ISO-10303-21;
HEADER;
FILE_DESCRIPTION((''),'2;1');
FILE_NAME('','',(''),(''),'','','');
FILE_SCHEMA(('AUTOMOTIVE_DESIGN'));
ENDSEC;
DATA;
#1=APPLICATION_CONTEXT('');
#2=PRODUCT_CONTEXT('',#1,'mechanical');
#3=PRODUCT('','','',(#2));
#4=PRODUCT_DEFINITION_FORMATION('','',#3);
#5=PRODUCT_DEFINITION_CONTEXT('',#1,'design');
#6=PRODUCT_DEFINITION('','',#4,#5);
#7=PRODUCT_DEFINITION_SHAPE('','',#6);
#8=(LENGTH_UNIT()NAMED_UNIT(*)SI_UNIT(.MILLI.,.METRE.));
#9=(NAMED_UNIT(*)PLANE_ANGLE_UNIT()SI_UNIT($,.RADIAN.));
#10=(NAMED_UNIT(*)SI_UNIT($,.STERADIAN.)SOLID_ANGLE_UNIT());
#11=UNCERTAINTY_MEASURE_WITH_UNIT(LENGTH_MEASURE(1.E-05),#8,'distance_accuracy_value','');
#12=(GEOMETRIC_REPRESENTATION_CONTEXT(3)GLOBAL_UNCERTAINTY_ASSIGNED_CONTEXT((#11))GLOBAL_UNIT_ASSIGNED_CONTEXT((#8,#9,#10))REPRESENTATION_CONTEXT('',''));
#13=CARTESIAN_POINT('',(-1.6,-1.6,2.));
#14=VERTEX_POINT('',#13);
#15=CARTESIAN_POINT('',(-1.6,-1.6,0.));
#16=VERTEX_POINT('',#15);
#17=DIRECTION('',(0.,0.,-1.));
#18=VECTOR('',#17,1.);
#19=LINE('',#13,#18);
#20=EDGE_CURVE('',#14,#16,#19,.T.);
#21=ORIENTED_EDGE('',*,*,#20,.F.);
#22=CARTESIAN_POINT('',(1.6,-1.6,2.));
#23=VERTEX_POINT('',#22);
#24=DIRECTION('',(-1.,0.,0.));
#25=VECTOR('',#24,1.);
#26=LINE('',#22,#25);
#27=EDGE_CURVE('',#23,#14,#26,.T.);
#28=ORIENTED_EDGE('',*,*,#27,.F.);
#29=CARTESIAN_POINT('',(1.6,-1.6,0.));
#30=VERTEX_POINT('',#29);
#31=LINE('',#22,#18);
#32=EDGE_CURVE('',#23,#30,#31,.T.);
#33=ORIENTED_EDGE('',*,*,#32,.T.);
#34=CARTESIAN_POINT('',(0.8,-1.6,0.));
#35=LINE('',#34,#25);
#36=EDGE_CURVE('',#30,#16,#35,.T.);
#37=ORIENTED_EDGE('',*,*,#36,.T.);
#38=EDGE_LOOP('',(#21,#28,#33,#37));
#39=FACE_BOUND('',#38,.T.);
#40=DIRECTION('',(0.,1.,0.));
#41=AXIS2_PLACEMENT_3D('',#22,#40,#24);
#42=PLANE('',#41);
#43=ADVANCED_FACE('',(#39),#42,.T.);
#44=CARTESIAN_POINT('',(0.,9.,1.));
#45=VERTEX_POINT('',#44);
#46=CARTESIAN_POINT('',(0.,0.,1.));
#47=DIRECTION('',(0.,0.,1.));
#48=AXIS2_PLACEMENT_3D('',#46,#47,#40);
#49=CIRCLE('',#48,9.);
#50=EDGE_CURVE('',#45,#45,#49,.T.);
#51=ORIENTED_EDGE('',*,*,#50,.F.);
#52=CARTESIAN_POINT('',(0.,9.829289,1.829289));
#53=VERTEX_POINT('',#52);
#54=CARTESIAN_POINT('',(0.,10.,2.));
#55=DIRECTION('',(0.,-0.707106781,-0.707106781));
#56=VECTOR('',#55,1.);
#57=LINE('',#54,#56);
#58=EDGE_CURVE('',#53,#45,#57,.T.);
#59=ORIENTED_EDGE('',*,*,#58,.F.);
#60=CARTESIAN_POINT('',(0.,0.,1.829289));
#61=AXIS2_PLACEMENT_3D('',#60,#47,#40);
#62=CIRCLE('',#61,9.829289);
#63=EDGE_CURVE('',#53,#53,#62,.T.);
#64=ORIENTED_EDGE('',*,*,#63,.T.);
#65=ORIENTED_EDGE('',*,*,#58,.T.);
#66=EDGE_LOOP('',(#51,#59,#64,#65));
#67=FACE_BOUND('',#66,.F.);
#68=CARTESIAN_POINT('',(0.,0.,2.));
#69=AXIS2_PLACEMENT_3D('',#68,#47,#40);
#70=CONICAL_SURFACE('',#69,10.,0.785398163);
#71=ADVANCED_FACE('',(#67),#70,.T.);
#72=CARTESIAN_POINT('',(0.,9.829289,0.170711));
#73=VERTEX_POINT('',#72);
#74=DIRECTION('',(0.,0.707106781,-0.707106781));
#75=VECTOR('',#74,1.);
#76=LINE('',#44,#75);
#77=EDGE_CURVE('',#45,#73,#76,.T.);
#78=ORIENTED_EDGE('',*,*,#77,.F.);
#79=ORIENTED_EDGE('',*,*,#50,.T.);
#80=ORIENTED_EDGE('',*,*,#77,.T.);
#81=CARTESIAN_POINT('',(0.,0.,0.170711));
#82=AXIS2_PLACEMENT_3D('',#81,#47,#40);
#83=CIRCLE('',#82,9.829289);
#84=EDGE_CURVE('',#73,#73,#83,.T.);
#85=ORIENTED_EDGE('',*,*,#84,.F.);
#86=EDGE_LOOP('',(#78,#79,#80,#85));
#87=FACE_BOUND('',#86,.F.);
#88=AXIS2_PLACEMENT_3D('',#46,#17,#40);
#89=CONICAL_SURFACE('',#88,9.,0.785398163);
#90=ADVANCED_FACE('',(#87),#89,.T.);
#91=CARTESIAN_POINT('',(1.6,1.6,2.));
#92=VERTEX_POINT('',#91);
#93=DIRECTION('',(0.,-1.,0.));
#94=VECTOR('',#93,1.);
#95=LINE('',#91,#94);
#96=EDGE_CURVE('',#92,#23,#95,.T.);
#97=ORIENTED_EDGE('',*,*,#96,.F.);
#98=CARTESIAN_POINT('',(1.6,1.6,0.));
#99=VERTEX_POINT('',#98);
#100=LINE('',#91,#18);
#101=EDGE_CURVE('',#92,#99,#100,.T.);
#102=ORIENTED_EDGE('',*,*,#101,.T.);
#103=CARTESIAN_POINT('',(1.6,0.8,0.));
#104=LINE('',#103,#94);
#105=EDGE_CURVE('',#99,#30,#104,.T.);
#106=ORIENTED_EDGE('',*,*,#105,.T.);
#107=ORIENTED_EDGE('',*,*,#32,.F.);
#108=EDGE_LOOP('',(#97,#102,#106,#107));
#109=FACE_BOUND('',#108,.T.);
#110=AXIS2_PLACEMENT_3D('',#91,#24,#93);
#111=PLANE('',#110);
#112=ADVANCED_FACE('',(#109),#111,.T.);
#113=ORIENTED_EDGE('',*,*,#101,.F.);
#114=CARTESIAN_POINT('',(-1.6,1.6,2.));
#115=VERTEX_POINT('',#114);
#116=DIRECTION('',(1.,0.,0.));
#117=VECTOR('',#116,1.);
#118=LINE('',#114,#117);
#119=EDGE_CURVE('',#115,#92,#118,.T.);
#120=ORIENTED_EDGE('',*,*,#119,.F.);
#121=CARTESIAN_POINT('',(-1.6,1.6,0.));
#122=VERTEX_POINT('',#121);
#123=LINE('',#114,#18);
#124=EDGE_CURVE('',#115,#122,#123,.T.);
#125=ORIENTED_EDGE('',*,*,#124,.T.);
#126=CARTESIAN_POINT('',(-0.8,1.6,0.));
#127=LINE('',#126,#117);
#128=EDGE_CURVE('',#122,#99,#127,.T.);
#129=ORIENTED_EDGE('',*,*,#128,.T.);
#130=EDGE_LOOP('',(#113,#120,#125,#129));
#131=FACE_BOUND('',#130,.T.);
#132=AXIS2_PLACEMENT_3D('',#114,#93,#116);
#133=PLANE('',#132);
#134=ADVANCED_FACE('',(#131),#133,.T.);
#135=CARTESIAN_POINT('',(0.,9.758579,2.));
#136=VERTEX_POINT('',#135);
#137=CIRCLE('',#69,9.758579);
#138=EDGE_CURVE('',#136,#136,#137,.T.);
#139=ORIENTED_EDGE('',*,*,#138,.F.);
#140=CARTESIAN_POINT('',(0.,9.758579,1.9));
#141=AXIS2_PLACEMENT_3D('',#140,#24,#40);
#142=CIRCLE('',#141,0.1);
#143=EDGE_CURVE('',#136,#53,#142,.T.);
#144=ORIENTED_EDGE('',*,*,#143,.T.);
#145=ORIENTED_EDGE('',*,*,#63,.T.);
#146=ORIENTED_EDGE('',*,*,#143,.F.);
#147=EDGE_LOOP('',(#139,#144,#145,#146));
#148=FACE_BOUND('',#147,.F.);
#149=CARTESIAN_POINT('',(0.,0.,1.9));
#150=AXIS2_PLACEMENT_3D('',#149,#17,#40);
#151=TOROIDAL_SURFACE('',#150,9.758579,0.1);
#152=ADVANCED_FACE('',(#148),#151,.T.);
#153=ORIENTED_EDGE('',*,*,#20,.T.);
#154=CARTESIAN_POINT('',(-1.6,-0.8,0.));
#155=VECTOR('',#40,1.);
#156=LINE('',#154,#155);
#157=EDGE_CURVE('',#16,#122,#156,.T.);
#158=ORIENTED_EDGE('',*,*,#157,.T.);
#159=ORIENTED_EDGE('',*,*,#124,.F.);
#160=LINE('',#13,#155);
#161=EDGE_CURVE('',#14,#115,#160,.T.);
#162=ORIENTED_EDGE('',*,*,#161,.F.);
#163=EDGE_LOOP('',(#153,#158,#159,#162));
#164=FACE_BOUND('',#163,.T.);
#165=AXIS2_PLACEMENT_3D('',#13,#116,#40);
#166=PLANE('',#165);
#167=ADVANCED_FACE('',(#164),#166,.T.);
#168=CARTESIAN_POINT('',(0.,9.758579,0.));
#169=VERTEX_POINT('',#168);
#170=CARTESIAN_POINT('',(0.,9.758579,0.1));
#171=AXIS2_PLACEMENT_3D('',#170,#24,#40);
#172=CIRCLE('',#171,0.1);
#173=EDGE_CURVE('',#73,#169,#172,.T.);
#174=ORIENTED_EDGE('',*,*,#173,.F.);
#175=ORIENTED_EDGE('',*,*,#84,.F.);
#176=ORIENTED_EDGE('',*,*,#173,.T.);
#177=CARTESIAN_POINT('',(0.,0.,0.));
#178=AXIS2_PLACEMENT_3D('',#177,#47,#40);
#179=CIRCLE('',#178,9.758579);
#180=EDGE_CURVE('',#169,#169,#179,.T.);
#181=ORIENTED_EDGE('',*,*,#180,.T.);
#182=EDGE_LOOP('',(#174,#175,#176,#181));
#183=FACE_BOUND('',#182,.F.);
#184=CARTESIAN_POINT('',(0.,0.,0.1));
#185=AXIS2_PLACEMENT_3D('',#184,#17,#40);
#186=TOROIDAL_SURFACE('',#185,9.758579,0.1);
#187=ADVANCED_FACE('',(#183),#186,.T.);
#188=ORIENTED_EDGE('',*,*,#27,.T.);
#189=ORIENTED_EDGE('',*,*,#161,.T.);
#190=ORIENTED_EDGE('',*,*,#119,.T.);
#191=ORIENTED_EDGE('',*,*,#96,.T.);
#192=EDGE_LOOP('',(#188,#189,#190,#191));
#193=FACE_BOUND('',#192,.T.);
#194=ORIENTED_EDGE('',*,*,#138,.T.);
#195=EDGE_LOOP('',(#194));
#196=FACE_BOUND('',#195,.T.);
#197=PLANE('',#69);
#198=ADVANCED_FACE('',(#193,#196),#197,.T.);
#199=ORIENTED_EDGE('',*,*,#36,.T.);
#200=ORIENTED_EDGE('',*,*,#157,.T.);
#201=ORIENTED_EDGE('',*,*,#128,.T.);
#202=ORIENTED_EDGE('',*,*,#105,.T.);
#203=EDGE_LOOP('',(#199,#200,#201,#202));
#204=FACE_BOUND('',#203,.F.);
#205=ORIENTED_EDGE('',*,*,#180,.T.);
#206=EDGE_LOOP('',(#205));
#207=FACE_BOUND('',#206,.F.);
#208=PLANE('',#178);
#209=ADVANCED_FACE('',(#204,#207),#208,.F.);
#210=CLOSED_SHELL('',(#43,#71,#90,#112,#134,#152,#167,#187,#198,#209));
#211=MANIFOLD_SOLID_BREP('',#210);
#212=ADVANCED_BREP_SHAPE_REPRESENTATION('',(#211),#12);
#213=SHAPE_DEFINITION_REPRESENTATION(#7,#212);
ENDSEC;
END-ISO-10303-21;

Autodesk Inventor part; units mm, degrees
ref_plane "YZ Plane" through (0, 0, 0) normal (1, 0, 0) x (0, 1, 0)
ref_plane "XZ Plane" through (0, 0, 0) normal (0, 1, 0) x (-1, 0, 0)
ref_plane "XY Plane" through (0, 0, 0) normal (0, 0, 1) x (1, 0, 0)
sketch "Sketch1" plane through (0, 0, 0) normal (1, 0, 0) x (0, 1, 0)
  line L0 (0, 0) -> (0, 2)
  line L1 (0, 1) -> (9, 1) construction
  line L2 (10, 2) -> (9, 1)
  line L3 (9, 1) -> (10, 0)
  line L4 (10, 2) -> (0, 2)
  line L5 (10, 0) -> (0, 0)
  dimension "d0" = 2
  dimension "d2" = 1
  dimension "d3" = 1
  dimension "d4" = 1
  dimension "d5" = 10
revolve "Revolution1" add sketch "Sketch1" angle 360 about axis through (0, 0, 0) along (0, 0, 1)
fillet "Fillet1" radius 0.1 2 edges at (0, -10, 2) (0, -10, 0)
sketch "Sketch2" plane through (0, 0, 2) normal (0, 0, 1) x (1, 0, 0)
  circle A0 centre (0, 0) radius 9 construction
  line L0 (-1.6, 1.6) -> (1.6, 1.6)
  line L1 (1.6, 1.6) -> (1.6, -1.6)
  line L2 (1.6, -1.6) -> (-1.6, -1.6)
  line L3 (-1.6, -1.6) -> (-1.6, 1.6)
  line L4 (-1.6, 1.6) -> (1.6, -1.6) construction
  line L5 (1.6, 1.6) -> (-1.6, -1.6) construction
  dimension "d8" = 3.2
  dimension "d9" = 3.2
extrude "Extrusion1" cut sketch "Sketch2" against normal through all
equation "\"d3\" = d2"
equation "\"d4\" = d3"
equation "\"d9\" = d8"
properties part number "pulley" material "PC/ABS Plastic"
